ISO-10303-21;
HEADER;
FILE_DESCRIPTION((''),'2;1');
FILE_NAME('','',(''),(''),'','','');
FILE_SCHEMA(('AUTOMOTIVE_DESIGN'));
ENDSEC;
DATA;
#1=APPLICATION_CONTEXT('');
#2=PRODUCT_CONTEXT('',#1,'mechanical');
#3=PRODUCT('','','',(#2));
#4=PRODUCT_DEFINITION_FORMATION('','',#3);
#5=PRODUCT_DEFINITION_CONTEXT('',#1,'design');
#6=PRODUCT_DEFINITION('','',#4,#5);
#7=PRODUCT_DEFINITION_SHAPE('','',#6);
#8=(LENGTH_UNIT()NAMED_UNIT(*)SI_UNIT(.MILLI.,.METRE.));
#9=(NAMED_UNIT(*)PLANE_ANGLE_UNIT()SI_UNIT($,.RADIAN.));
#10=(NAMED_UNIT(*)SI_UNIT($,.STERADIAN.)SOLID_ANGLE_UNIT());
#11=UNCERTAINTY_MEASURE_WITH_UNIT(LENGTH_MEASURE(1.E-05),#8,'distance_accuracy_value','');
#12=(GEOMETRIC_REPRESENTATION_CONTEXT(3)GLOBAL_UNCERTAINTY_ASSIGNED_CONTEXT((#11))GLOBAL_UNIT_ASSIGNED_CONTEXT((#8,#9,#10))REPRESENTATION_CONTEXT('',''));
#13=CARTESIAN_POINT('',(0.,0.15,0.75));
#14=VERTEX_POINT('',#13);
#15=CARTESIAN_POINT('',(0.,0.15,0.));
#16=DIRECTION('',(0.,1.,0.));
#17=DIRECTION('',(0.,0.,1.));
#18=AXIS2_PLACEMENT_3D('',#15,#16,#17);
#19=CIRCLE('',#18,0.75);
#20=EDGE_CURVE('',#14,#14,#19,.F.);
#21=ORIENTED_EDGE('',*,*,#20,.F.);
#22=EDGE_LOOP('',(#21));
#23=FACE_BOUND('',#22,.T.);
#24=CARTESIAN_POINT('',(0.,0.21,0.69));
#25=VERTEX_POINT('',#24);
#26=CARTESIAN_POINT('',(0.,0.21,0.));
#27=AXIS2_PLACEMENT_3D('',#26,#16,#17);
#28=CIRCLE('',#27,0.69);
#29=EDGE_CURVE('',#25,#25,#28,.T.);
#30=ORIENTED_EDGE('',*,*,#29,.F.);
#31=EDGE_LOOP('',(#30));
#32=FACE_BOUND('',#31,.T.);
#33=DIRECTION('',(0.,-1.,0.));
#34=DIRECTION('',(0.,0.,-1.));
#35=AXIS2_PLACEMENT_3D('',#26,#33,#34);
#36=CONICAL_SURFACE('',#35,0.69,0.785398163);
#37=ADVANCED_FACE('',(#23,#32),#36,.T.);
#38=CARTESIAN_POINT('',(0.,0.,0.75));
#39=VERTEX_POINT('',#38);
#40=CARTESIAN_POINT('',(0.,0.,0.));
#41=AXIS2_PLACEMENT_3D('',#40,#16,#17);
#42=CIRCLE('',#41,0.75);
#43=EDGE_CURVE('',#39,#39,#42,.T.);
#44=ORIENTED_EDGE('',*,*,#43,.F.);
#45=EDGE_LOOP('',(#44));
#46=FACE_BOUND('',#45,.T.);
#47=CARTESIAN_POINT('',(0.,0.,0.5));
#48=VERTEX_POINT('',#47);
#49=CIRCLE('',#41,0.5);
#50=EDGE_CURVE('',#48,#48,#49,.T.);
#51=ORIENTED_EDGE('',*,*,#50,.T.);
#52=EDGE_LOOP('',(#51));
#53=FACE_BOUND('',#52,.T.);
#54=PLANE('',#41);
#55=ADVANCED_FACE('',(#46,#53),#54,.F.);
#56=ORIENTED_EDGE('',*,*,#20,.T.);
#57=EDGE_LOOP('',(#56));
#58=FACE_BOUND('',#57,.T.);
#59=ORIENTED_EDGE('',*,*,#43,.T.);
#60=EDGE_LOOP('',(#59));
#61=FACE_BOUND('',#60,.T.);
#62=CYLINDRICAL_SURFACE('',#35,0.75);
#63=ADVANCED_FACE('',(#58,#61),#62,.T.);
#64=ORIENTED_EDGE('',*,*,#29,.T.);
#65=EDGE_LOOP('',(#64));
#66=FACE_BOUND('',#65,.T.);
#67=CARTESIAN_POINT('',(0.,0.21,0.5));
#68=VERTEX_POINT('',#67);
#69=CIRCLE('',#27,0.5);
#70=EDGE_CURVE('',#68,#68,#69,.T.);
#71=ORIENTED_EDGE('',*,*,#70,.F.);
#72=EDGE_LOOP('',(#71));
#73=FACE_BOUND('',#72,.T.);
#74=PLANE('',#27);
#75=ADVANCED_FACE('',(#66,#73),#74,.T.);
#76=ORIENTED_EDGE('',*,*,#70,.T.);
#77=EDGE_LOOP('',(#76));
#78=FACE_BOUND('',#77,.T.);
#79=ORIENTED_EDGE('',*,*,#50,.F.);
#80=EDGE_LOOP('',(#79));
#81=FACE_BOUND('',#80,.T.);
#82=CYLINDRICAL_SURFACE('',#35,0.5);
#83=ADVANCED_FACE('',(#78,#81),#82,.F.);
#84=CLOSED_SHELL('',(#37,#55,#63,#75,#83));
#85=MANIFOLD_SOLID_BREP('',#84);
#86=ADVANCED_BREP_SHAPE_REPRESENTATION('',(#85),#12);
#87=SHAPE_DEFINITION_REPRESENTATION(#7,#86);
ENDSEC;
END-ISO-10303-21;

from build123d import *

# Parameters (mm, degrees)
SKETCH1_R           = 0.75
SKETCH1_R_2         = 0.5
BOSS_EXTRUDE1_DEPTH = 0.21
CHAMFER1_SIZE       = 0.06


with BuildPart() as part:
    # Sketch1 → Boss-Extrude1 (new body)
    with BuildSketch(Plane(origin=(0, 0, 0), x_dir=(1, 0, 0), z_dir=(0, 1, 0))):
        Circle(SKETCH1_R)
        Circle(SKETCH1_R_2, mode=Mode.SUBTRACT)
    extrude(amount=BOSS_EXTRUDE1_DEPTH)

    # Chamfer1
    chamfer1_edges = [part.edges().sort_by_distance(p)[0] for p in [
        (-0.75, 0.21, 0),
    ]]
    chamfer(chamfer1_edges, length=CHAMFER1_SIZE)


solid = part.part
